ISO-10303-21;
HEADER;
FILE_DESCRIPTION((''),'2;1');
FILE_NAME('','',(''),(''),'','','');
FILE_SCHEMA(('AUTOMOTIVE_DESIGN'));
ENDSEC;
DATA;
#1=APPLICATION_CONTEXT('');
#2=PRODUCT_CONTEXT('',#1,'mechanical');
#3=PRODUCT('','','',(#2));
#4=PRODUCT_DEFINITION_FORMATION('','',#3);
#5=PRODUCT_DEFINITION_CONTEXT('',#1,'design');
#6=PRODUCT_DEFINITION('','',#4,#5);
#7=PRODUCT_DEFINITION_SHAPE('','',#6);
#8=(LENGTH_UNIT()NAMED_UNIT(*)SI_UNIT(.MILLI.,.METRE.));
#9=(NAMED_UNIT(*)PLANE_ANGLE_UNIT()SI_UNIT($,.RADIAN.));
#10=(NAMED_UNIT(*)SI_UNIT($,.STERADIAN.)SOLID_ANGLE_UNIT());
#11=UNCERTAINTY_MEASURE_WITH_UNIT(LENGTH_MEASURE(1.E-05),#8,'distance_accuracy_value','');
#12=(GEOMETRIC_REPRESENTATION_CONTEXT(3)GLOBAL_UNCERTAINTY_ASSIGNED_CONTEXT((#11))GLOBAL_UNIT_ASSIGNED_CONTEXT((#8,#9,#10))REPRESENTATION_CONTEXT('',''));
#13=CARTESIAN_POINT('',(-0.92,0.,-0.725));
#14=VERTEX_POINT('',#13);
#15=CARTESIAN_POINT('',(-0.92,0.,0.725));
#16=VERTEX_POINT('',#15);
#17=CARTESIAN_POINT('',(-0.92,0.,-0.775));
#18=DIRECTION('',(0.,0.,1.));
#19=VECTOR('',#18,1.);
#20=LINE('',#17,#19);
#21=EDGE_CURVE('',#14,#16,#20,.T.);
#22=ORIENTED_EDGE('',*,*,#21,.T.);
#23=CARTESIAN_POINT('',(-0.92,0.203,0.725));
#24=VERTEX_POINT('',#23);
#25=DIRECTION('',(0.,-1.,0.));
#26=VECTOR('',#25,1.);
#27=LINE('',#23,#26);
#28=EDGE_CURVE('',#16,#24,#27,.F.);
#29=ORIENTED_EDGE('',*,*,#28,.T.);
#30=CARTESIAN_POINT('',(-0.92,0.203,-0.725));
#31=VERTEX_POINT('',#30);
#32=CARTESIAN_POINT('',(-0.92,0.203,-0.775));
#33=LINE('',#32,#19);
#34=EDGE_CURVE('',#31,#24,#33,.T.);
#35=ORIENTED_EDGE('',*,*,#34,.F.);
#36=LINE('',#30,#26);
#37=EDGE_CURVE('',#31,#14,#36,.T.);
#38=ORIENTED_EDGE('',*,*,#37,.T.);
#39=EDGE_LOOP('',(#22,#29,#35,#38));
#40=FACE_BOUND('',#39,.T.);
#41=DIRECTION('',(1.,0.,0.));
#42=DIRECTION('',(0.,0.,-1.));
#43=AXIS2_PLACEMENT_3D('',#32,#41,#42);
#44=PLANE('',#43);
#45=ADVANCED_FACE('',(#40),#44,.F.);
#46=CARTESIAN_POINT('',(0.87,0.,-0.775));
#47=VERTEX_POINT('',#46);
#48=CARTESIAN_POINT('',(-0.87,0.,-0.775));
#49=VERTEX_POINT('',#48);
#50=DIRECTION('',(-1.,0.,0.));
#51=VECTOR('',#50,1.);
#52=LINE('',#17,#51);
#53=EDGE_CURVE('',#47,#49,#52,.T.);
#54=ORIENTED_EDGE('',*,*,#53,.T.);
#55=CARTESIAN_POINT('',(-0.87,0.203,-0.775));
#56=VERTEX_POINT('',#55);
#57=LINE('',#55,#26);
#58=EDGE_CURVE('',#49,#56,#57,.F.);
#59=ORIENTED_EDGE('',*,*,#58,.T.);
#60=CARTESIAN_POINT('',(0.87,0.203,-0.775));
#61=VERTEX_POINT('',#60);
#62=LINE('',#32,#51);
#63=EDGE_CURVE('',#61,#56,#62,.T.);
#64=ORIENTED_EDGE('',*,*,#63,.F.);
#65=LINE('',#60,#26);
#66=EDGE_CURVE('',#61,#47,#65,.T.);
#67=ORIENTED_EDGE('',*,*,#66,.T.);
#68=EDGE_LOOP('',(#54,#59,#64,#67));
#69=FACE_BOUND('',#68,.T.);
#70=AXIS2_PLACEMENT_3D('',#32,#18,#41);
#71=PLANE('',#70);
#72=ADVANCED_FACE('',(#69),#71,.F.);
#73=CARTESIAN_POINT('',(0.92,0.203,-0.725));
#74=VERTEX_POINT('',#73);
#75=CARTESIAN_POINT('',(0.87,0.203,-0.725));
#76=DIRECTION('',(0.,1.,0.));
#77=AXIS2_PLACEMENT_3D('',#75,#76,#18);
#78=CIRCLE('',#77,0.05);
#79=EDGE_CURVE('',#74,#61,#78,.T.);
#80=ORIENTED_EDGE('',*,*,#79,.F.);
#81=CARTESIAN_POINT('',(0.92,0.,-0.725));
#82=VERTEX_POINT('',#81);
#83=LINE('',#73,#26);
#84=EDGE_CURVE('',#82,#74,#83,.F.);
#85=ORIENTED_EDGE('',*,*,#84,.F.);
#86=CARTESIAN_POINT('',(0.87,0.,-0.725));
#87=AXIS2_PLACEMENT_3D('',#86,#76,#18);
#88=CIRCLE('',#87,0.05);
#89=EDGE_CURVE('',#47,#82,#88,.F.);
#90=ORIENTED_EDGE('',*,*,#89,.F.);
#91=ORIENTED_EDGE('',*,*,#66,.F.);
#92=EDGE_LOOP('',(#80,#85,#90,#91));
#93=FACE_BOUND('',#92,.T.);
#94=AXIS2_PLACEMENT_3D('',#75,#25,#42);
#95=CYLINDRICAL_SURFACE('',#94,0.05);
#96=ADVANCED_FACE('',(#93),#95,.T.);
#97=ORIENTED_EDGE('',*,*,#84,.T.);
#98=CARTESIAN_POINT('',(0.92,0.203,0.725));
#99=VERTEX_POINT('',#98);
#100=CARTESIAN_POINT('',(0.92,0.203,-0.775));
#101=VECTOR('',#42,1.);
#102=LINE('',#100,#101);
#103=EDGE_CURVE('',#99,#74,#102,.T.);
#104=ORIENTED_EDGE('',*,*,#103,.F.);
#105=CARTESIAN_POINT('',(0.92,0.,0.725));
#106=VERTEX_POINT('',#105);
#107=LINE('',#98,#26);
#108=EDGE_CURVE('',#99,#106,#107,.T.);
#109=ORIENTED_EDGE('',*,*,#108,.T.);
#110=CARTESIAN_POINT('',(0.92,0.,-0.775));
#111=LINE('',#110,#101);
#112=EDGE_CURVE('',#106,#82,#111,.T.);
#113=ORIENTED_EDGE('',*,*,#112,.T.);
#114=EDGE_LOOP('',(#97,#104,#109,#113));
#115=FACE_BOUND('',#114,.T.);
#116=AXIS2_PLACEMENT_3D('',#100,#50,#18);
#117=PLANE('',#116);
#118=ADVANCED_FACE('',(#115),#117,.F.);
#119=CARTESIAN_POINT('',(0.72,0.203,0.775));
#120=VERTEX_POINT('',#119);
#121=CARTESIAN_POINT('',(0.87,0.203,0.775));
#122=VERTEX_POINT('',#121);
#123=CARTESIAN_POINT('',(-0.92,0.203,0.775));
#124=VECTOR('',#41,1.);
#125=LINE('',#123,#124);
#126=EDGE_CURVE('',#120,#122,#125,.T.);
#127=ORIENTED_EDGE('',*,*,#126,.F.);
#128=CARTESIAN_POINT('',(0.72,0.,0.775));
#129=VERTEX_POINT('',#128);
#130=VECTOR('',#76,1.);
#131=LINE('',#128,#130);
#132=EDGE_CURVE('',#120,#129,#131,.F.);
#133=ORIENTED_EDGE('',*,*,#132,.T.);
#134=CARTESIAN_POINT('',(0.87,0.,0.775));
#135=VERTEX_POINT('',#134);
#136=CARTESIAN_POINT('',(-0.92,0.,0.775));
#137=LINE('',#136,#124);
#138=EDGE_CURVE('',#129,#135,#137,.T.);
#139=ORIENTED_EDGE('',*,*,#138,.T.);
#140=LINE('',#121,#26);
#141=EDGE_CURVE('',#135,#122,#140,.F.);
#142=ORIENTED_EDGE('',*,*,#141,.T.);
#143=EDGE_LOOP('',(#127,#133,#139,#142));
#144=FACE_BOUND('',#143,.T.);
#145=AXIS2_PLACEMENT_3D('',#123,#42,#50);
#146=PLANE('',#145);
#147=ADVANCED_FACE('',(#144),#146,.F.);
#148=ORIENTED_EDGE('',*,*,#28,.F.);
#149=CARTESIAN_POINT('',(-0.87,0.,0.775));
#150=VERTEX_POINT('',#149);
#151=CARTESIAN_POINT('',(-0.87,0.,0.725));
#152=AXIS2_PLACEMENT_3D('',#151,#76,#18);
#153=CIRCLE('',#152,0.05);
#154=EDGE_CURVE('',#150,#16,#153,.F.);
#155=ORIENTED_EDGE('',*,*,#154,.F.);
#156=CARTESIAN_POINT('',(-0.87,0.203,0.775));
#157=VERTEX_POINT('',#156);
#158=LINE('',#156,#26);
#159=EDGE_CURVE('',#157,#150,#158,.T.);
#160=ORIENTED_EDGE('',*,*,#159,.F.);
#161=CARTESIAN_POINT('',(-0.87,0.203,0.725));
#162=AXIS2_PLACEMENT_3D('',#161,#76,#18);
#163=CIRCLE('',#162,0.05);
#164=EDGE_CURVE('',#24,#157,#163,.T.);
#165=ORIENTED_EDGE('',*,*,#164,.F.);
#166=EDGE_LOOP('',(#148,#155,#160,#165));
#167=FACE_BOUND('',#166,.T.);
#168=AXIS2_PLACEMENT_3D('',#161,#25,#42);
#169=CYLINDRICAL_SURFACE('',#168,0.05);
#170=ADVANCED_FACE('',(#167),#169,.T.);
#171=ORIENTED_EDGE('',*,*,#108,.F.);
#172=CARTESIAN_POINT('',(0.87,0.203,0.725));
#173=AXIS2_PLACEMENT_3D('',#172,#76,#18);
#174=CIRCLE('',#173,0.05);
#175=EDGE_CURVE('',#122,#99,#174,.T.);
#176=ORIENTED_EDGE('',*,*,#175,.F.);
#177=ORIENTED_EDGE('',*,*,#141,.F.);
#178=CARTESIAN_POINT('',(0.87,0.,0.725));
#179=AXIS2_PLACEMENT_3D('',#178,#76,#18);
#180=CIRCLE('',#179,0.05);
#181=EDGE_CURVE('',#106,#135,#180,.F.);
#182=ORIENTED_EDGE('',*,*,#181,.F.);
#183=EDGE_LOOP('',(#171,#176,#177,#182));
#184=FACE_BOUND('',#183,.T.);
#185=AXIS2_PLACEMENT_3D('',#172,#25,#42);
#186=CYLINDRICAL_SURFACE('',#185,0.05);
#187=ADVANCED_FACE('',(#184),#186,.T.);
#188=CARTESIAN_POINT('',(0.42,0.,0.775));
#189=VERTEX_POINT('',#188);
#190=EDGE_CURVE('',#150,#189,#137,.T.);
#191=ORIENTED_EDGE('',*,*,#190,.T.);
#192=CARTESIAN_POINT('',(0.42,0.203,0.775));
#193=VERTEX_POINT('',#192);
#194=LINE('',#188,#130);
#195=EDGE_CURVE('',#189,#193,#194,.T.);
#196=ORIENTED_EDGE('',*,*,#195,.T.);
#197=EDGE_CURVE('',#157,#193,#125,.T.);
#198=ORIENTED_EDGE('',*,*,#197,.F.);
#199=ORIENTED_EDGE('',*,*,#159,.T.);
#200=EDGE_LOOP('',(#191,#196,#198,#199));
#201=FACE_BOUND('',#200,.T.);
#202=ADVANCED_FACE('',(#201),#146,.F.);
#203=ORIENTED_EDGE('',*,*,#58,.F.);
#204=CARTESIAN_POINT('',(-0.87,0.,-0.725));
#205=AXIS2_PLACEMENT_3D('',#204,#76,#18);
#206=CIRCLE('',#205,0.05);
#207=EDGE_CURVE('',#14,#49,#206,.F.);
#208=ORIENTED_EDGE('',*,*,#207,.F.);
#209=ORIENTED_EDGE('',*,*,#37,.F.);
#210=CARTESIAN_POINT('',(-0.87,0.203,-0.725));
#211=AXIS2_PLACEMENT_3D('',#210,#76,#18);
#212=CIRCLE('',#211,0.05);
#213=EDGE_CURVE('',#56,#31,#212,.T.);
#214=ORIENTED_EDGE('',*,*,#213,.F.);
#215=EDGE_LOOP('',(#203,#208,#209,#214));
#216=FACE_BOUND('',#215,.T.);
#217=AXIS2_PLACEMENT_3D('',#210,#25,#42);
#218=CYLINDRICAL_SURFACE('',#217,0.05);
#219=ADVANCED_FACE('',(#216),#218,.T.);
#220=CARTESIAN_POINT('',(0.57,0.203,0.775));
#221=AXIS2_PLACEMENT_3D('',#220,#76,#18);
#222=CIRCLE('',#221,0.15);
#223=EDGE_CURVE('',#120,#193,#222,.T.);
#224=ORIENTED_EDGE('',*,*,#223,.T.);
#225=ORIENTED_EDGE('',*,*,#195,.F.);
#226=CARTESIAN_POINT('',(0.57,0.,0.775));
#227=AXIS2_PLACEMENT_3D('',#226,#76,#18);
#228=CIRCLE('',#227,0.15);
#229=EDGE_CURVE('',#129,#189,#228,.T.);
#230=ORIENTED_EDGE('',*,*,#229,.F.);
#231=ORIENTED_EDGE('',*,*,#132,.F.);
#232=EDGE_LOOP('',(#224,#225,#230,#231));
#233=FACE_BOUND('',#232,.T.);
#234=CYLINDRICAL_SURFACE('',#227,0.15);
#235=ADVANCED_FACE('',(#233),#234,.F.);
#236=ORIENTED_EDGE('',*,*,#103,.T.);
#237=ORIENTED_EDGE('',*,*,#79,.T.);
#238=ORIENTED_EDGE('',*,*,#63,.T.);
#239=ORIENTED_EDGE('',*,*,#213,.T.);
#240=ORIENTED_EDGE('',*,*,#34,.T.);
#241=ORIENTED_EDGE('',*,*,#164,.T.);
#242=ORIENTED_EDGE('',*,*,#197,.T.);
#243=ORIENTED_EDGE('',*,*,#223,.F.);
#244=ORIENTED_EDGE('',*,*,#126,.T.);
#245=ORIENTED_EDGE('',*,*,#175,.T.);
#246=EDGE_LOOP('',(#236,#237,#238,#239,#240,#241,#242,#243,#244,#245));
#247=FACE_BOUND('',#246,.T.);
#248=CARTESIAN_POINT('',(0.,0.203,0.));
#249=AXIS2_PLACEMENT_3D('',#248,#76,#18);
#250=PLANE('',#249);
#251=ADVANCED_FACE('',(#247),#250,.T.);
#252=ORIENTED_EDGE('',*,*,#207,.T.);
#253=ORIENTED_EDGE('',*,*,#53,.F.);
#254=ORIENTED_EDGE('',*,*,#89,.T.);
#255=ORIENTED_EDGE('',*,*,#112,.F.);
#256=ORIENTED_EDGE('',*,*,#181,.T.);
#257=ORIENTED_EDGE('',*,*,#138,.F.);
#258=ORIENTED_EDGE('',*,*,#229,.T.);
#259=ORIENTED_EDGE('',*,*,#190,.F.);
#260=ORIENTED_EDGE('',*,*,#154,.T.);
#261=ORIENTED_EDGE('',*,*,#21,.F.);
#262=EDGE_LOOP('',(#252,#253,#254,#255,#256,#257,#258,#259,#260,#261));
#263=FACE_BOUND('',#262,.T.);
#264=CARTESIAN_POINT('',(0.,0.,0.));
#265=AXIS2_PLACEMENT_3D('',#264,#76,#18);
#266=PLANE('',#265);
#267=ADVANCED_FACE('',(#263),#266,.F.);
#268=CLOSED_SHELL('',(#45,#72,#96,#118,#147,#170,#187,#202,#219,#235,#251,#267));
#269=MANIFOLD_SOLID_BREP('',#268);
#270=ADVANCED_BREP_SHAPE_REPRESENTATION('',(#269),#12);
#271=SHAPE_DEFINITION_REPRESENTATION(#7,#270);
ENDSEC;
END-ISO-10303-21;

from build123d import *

# Parameters (mm, degrees)
SKETCH1_W           = 1.84
SKETCH1_H           = 1.55
BOSS_EXTRUDE1_DEPTH = 0.203
FILLET1_R           = 0.05
SKETCH2_R           = 0.15
CUT_EXTRUDE1_DEPTH  = 1.203


with BuildPart() as part:
    # Sketch1 → Boss-Extrude1 (new body)
    with BuildSketch(Plane(origin=(0, 0, 0), x_dir=(1, 0, 0), z_dir=(0, 1, 0))):
        Rectangle(SKETCH1_W, SKETCH1_H)
    extrude(amount=BOSS_EXTRUDE1_DEPTH)

    # Fillet1
    fillet1_edges = [part.edges().sort_by_distance(p)[0] for p in [
        (0.92, 0.1015, 0.775),
        (-0.92, 0.1015, 0.775),
        (-0.92, 0.1015, -0.775),
        (0.92, 0.1015, -0.775),
    ]]
    fillet(fillet1_edges, radius=FILLET1_R)

    # Sketch2 → Cut-Extrude1 (cut, through all)
    with BuildSketch(Plane(origin=(0, 0.203, 0), x_dir=(1, 0, 0), z_dir=(0, 1, 0))):
        with Locations((0.57, -0.775)):
            Circle(SKETCH2_R)
    extrude(amount=-CUT_EXTRUDE1_DEPTH, mode=Mode.SUBTRACT)


solid = part.part
